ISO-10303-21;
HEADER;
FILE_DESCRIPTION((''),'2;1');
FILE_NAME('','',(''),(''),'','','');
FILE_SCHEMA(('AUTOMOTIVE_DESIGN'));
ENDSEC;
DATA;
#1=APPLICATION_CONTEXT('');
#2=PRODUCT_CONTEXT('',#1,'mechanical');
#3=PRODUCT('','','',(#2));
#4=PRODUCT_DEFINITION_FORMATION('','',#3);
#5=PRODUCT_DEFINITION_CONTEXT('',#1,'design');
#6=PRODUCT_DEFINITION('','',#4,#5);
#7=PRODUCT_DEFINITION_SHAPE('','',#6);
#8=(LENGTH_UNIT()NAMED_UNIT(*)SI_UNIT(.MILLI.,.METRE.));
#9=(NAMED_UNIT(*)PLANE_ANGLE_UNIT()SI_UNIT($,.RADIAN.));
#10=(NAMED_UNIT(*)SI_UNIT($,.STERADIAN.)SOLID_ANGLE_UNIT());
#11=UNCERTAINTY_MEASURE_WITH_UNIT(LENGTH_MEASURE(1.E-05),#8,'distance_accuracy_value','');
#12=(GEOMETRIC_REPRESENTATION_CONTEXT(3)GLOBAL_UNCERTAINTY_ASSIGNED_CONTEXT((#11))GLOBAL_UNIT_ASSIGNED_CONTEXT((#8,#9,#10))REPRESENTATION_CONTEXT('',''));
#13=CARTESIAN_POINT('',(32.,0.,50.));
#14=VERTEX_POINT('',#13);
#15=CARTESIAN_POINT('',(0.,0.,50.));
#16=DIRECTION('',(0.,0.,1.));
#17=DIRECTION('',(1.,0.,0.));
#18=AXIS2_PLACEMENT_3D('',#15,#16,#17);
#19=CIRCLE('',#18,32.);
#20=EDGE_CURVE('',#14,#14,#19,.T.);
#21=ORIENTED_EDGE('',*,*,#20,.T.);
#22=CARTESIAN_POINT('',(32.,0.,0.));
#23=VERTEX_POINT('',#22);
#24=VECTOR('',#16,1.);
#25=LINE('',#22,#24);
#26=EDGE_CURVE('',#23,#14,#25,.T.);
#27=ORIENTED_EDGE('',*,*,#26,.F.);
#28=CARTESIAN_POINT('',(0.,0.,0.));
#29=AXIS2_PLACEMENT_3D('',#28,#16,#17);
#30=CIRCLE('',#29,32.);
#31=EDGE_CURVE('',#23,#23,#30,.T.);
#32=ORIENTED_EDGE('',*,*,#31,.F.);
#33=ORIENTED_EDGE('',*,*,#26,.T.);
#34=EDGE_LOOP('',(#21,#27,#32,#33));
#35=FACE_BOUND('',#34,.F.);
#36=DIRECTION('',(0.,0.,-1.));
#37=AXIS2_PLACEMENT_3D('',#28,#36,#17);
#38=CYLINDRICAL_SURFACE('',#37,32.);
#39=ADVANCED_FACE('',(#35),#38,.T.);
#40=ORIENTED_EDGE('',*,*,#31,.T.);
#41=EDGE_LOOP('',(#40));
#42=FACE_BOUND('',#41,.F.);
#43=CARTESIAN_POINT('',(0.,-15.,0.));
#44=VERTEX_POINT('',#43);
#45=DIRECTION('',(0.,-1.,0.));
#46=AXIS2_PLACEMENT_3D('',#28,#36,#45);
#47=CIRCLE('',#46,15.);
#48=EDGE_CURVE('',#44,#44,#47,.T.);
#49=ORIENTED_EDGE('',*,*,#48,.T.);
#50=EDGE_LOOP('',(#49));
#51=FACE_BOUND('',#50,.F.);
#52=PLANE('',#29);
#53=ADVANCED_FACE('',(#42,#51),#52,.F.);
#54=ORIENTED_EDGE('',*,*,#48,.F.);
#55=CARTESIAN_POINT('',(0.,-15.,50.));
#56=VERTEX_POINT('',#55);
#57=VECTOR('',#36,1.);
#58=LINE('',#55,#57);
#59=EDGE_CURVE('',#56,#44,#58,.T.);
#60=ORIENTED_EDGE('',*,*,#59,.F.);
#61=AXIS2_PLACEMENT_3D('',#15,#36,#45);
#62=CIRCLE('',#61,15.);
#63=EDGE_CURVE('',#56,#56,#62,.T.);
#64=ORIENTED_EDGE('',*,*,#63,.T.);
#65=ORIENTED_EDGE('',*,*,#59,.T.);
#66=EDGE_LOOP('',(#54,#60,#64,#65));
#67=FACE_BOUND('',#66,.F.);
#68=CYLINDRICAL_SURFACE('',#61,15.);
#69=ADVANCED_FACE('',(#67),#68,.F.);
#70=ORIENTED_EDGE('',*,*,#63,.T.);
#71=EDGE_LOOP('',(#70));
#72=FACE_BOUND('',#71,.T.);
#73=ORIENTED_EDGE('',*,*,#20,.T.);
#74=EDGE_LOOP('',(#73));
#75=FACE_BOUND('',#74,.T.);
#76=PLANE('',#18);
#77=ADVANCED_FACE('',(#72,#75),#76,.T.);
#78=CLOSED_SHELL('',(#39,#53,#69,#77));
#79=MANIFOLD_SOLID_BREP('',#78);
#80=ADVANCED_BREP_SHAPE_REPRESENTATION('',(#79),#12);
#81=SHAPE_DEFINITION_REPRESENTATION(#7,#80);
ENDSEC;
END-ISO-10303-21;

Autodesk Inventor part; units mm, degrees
ref_plane "YZ Plane" through (0, 0, 0) normal (1, 0, 0) x (0, 1, 0)
ref_plane "XZ Plane" through (0, 0, 0) normal (0, 1, 0) x (-1, 0, 0)
ref_plane "XY Plane" through (0, 0, 0) normal (0, 0, 1) x (1, 0, 0)
sketch "草圖1" plane through (0, 0, 0) normal (0, 0, 1) x (1, 0, 0)
  circle A0 centre (0, 0) radius 32
  dimension "d0" = 64
extrude "擠出1" add sketch "草圖1" along normal blind 50
sketch "草圖2" plane through (0, 0, 50) normal (0, 0, 1) x (1, 0, 0)
  point P0 (0, 0)
  point P1 (0, 0)
hole "孔1" at (0, 0, 50) direction (0, 0, -1) diameter 30 end through all
properties part number "銅墊塊-50T"
